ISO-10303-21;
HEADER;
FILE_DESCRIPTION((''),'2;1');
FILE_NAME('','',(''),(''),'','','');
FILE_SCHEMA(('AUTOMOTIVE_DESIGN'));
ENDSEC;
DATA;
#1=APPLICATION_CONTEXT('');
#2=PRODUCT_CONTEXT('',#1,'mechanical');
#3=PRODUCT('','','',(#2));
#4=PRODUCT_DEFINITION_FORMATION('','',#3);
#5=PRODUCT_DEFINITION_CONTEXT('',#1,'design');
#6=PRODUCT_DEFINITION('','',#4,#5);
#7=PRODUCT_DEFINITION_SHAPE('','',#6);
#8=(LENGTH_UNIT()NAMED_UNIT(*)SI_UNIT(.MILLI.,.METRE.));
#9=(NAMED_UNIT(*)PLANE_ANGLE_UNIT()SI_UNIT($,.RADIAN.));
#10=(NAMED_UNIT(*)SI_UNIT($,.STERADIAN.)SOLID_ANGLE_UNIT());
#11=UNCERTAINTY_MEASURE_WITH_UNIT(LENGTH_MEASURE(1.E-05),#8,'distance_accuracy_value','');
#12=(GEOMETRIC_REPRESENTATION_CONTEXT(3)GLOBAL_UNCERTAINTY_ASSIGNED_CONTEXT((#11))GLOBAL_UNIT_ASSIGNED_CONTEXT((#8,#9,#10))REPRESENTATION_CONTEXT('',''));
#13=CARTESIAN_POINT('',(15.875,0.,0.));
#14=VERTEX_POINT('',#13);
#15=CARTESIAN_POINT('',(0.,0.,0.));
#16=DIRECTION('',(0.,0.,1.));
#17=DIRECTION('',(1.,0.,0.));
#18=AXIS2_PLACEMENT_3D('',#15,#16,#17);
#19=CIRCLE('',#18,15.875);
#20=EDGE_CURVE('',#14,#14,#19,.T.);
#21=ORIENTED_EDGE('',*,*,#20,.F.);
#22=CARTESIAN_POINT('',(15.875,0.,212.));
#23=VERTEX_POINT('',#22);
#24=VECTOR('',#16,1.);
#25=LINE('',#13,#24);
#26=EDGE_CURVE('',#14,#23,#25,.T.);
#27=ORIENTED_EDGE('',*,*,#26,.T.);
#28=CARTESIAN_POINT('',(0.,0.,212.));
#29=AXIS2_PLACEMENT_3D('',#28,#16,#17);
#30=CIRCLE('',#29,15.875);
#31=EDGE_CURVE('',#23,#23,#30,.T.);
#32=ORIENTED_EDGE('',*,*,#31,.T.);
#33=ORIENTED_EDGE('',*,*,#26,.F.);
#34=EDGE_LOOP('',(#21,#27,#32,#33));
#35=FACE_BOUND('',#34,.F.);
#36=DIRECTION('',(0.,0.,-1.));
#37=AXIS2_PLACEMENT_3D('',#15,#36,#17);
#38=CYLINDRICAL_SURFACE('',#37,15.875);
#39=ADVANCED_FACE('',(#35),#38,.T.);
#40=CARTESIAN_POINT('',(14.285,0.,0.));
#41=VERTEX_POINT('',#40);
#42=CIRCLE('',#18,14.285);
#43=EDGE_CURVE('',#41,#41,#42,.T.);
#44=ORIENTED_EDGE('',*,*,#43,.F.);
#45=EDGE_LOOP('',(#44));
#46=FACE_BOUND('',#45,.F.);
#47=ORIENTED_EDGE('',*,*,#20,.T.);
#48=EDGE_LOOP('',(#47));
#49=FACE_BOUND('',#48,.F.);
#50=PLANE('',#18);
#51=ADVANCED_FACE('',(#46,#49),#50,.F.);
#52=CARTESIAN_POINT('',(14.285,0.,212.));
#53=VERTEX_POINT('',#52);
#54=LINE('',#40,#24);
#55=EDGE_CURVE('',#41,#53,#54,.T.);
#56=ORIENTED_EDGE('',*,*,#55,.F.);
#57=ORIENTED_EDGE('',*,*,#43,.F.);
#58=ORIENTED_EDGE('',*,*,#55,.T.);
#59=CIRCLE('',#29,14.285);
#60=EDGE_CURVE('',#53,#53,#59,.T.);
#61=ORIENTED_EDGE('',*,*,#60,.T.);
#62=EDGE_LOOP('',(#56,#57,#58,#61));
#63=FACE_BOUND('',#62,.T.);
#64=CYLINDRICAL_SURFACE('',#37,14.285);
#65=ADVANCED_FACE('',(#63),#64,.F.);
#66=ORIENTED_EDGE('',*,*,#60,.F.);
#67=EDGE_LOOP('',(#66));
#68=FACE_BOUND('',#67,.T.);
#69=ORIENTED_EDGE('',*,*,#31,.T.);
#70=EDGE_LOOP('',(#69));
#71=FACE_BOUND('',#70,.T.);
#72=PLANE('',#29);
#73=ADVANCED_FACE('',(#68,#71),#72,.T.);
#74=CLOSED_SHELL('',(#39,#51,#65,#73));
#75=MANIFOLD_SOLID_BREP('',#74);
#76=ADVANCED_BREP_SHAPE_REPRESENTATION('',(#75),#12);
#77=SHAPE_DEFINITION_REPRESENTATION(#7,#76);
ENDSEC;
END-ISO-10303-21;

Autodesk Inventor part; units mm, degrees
ref_plane "YZ Plane" through (0, 0, 0) normal (1, 0, 0) x (0, 1, 0)
ref_plane "XZ Plane" through (0, 0, 0) normal (0, 1, 0) x (-1, 0, 0)
ref_plane "XY Plane" through (0, 0, 0) normal (0, 0, 1) x (1, 0, 0)
sketch "Sketch1" plane through (0, 0, 0) normal (0, 0, 1) x (1, 0, 0)
  circle A0 centre (0, 0) radius 15.875
  circle A1 centre (0, 0) radius 14.285
  dimension "d0" = 31.75
  dimension "d1" = 28.57
extrude "Extrusion1" add sketch "Sketch1" along normal blind 212
properties part number "Battery Tube"
